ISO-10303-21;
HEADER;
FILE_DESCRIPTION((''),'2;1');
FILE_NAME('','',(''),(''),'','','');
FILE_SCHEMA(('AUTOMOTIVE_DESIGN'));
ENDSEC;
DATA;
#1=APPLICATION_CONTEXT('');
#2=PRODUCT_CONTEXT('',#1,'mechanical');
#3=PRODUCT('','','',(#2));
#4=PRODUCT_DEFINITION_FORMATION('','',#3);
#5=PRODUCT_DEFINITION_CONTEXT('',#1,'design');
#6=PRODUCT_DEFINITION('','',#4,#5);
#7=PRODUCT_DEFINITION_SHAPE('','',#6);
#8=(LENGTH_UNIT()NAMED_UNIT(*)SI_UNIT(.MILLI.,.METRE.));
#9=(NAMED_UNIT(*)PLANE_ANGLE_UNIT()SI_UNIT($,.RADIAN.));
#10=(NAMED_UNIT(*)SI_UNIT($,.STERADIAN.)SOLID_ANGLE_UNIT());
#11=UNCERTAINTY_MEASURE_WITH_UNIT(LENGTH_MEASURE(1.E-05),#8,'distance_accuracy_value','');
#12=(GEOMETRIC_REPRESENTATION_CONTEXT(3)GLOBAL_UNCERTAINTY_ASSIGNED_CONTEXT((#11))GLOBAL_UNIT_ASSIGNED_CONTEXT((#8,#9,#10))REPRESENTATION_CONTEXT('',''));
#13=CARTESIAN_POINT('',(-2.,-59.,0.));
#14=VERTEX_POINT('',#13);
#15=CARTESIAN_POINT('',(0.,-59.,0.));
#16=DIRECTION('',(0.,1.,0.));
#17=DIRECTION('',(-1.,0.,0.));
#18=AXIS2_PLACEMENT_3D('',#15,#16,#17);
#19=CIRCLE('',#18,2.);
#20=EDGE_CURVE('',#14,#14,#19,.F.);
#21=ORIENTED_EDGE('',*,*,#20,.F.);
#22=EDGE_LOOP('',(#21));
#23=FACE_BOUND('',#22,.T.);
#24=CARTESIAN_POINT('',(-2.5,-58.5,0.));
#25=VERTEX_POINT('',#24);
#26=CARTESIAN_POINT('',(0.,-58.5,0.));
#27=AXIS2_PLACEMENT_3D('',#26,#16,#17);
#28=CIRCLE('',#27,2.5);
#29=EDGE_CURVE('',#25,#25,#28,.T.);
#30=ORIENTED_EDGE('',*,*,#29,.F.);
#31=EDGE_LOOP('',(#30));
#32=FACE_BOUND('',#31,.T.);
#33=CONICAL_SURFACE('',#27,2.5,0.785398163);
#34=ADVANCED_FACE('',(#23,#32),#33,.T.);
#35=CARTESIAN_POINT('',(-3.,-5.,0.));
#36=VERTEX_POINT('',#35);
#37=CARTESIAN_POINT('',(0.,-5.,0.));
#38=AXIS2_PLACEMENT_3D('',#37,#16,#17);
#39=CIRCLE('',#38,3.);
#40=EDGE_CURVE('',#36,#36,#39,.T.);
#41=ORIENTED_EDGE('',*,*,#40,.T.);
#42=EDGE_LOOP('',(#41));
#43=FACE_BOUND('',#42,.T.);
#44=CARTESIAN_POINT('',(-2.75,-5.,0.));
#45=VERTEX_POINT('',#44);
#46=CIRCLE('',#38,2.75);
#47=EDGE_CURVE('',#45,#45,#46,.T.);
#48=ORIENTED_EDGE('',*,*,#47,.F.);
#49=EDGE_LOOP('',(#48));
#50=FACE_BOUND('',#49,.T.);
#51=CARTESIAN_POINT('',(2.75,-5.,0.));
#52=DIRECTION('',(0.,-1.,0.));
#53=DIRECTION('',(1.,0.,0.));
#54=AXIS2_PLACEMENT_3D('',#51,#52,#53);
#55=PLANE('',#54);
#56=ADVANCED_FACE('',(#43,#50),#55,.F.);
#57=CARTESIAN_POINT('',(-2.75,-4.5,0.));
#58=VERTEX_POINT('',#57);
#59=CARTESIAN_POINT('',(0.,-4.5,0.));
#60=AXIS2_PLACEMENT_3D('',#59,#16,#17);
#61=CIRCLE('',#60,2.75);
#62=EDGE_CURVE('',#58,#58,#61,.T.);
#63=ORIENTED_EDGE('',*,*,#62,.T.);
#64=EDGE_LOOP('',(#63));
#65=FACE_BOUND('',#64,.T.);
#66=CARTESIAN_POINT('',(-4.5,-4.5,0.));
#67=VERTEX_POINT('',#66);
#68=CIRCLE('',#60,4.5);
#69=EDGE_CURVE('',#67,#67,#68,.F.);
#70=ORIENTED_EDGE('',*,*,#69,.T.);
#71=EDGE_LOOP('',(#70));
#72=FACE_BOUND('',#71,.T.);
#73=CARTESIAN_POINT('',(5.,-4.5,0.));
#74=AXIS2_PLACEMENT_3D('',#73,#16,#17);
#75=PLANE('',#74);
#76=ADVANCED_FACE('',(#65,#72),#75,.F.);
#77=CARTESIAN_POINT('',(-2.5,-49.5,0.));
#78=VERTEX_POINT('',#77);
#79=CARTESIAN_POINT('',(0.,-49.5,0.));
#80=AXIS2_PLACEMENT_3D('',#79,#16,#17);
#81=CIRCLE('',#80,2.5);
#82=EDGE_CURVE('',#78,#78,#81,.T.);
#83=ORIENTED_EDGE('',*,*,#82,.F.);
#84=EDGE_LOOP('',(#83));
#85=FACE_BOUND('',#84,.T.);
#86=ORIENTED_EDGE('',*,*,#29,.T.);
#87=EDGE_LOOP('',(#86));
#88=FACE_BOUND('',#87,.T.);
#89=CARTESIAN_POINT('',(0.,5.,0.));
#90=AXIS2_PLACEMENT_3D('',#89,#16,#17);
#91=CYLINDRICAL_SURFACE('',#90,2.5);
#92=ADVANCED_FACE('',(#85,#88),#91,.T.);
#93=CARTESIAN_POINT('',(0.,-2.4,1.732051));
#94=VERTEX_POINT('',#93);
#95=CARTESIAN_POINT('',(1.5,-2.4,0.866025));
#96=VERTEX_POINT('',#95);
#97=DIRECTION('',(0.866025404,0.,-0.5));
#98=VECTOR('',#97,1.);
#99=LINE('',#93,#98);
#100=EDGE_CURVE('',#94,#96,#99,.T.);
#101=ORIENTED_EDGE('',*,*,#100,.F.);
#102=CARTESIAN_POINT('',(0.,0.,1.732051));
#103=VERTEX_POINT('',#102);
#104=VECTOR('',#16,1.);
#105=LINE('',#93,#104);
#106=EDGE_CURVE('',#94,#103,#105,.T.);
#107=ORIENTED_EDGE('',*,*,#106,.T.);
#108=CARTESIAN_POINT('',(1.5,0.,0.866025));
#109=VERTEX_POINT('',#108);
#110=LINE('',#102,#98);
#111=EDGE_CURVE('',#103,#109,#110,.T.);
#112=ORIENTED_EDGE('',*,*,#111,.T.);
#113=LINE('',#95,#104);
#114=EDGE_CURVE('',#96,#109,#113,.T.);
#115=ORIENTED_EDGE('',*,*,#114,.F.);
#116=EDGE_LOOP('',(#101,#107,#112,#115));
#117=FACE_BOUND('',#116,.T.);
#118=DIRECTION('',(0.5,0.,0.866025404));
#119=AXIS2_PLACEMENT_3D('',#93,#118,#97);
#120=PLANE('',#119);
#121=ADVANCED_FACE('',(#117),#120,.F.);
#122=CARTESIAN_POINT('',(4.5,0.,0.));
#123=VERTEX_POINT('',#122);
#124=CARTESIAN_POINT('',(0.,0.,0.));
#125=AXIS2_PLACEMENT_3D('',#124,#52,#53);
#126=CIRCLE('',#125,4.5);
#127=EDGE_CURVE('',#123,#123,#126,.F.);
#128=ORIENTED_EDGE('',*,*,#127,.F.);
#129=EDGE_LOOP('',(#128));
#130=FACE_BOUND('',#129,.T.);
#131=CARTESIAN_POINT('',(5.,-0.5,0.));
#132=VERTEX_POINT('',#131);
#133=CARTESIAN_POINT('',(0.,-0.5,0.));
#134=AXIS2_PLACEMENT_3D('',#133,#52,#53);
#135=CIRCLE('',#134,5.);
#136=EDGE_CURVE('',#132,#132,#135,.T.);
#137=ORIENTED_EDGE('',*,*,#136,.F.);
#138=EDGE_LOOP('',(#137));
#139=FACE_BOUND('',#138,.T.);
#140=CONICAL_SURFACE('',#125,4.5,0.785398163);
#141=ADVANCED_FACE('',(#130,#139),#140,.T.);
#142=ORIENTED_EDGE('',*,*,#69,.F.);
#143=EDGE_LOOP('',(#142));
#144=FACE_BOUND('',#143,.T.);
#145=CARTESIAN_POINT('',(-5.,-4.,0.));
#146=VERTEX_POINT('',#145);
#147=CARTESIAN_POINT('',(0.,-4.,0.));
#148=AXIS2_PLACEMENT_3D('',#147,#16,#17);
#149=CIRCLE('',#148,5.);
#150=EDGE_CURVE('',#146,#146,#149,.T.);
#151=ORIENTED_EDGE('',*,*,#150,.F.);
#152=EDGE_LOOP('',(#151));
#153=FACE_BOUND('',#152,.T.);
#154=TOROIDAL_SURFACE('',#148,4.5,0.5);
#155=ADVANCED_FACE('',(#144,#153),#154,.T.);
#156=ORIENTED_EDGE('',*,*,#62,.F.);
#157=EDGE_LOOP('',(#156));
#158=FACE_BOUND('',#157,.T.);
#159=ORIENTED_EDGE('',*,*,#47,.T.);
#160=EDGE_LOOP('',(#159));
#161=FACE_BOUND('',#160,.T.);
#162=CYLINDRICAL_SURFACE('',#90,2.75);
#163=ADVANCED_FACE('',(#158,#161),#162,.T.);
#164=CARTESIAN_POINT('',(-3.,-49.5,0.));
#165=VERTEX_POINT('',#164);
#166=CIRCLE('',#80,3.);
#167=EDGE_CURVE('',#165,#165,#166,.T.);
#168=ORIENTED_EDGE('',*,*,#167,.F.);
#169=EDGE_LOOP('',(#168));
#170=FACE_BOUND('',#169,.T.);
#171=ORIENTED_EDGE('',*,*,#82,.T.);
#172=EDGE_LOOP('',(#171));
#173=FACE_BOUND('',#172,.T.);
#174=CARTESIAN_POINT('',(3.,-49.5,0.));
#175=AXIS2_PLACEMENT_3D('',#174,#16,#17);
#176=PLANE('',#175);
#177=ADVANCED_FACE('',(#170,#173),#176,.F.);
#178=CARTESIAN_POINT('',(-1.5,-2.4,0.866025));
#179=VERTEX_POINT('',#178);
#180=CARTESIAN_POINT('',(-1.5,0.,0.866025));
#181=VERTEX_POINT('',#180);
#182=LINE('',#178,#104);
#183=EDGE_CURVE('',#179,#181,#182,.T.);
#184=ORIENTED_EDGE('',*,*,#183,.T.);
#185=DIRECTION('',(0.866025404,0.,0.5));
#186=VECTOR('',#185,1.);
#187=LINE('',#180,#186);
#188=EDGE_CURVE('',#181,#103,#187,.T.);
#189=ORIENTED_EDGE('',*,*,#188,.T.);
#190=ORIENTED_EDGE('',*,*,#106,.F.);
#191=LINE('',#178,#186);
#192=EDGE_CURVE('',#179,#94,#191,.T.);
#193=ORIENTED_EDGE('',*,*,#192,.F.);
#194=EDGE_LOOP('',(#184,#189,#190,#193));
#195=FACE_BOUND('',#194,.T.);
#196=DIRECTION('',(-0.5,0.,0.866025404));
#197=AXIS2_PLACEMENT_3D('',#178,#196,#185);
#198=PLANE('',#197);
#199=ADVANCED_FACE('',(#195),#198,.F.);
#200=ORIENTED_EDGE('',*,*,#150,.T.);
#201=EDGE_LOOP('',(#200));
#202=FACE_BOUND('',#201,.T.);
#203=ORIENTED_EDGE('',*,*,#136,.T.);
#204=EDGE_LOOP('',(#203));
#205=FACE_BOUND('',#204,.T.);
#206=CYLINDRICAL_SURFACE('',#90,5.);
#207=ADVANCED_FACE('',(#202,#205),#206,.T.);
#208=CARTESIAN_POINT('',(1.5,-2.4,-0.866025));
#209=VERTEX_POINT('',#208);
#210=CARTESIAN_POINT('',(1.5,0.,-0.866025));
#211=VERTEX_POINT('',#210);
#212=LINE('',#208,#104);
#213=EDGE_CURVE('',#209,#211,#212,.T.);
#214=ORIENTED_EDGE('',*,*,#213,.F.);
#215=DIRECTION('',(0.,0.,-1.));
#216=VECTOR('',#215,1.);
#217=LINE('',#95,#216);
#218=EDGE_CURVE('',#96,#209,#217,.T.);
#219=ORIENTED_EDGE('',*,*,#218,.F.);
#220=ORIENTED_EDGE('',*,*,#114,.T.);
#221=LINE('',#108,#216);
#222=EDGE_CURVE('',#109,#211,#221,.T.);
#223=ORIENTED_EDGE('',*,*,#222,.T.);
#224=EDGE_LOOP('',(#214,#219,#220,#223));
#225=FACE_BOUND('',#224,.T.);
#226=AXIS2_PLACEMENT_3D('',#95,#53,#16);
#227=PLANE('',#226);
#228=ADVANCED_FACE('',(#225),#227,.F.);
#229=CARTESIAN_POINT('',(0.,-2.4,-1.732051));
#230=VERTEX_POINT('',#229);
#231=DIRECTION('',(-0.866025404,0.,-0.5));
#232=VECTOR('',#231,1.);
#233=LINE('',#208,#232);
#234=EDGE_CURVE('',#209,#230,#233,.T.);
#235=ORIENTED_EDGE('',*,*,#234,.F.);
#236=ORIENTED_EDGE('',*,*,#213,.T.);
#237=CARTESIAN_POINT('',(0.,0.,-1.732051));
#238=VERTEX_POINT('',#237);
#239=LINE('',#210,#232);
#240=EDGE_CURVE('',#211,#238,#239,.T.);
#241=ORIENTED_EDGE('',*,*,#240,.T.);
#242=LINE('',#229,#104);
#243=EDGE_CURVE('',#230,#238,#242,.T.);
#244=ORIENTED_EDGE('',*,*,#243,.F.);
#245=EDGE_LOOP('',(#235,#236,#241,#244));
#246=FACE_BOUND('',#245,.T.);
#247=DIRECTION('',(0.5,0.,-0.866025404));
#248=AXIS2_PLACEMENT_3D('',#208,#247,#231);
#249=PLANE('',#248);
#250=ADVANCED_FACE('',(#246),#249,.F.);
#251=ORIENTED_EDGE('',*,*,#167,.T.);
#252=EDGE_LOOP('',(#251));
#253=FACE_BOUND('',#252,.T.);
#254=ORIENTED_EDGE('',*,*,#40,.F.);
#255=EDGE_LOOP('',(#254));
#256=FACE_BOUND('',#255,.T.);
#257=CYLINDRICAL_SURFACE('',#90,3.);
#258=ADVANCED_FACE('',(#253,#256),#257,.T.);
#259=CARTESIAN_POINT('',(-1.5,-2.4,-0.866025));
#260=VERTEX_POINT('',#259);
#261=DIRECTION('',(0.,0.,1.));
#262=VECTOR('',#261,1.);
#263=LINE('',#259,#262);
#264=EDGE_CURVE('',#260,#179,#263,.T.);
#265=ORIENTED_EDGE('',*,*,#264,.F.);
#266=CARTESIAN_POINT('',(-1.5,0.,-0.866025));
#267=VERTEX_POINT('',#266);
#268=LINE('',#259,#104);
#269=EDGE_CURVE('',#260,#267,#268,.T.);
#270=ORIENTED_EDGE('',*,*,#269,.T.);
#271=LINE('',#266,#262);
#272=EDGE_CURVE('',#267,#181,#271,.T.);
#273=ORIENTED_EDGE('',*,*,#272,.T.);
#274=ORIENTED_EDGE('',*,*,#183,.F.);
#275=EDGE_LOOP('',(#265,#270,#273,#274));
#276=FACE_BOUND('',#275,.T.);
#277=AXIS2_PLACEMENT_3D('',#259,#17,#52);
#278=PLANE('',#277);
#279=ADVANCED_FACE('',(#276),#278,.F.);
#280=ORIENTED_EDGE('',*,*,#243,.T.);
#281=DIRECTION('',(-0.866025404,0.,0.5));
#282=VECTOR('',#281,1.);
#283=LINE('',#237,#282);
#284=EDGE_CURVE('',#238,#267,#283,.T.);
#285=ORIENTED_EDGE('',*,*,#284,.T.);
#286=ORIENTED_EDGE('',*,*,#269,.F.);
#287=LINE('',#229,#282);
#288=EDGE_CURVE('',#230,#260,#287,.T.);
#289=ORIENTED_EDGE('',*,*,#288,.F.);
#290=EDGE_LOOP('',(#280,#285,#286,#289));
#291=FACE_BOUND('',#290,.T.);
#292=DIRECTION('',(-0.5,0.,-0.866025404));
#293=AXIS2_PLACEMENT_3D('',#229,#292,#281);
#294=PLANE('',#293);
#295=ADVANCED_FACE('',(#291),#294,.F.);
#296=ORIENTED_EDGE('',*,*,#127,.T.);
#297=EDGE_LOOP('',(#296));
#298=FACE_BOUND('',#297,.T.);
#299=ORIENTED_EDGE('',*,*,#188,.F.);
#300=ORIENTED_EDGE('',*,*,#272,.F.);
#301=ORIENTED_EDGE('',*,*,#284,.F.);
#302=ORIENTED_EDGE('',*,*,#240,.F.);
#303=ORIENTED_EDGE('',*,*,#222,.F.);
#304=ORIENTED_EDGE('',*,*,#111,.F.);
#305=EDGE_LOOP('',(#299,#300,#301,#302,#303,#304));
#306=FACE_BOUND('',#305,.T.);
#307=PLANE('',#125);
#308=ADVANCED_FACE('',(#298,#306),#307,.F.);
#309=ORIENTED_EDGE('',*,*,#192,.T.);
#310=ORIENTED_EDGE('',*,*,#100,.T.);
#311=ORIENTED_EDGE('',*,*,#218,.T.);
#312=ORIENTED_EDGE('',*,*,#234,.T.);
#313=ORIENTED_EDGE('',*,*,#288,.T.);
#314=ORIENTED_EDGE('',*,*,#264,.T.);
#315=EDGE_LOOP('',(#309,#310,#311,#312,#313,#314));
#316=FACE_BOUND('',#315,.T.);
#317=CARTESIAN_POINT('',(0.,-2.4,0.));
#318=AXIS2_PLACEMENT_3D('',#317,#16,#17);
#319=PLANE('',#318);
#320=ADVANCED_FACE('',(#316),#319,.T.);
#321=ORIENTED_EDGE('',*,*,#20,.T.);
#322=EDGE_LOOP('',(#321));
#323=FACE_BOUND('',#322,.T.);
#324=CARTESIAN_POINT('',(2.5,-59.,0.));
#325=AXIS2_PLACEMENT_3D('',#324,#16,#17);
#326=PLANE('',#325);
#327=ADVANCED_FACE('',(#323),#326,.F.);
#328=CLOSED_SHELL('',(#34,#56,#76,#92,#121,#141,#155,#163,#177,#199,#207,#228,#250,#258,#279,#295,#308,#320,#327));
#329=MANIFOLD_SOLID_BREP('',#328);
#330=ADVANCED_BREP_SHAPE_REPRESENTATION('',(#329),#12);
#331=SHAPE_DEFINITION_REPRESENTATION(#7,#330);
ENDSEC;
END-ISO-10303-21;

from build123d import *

# Parameters (mm, degrees)
CUT_EXTRUDE1_DEPTH = 2.4
CHAMFER1_SIZE      = 0.5
FILLET1_R          = 0.5
CHAMFER2_SIZE      = 0.5


with BuildPart() as part:
    # Sketch1 → Revolve1 (revolve)
    with BuildSketch(Plane.XY, mode=Mode.PRIVATE) as revolve1_sk:
        Polygon((0, 0), (5, 0), (5, -4.5), (2.75, -4.5), (2.75, -5), (3, -5), (3, -49.5), (2.5, -49.5), (2.5, -59), (0, -59), align=None)
    revolve(revolve1_sk.sketch.rotate(Axis((0, 5, 0), (0, -1, 0)), 180), axis=Axis((0, 5, 0), (0, -1, 0)))

    # Sketch2 → Cut-Extrude1 (cut)
    with BuildSketch(Plane(origin=(0, 0, 0), x_dir=(1, 0, 0), z_dir=(0, 1, 0))):
        Polygon((0, -1.732050808), (1.5, -0.866025404), (1.5, 0.866025404), (0, 1.732050808), (-1.5, 0.866025404), (-1.5, -0.866025404), align=None)
    extrude(amount=-CUT_EXTRUDE1_DEPTH, mode=Mode.SUBTRACT)

    # Chamfer1
    chamfer1_edges = [part.edges().sort_by_distance(p)[0] for p in [
        (5, 0, 0),
    ]]
    chamfer(chamfer1_edges, length=CHAMFER1_SIZE)

    # Fillet1
    fillet1_edges = [part.edges().sort_by_distance(p)[0] for p in [
        (5, -4.5, 0),
    ]]
    fillet(fillet1_edges, radius=FILLET1_R)

    # Chamfer2
    chamfer2_edges = [part.edges().sort_by_distance(p)[0] for p in [
        (2.5, -59, 0),
    ]]
    chamfer(chamfer2_edges, length=CHAMFER2_SIZE)


solid = part.part
